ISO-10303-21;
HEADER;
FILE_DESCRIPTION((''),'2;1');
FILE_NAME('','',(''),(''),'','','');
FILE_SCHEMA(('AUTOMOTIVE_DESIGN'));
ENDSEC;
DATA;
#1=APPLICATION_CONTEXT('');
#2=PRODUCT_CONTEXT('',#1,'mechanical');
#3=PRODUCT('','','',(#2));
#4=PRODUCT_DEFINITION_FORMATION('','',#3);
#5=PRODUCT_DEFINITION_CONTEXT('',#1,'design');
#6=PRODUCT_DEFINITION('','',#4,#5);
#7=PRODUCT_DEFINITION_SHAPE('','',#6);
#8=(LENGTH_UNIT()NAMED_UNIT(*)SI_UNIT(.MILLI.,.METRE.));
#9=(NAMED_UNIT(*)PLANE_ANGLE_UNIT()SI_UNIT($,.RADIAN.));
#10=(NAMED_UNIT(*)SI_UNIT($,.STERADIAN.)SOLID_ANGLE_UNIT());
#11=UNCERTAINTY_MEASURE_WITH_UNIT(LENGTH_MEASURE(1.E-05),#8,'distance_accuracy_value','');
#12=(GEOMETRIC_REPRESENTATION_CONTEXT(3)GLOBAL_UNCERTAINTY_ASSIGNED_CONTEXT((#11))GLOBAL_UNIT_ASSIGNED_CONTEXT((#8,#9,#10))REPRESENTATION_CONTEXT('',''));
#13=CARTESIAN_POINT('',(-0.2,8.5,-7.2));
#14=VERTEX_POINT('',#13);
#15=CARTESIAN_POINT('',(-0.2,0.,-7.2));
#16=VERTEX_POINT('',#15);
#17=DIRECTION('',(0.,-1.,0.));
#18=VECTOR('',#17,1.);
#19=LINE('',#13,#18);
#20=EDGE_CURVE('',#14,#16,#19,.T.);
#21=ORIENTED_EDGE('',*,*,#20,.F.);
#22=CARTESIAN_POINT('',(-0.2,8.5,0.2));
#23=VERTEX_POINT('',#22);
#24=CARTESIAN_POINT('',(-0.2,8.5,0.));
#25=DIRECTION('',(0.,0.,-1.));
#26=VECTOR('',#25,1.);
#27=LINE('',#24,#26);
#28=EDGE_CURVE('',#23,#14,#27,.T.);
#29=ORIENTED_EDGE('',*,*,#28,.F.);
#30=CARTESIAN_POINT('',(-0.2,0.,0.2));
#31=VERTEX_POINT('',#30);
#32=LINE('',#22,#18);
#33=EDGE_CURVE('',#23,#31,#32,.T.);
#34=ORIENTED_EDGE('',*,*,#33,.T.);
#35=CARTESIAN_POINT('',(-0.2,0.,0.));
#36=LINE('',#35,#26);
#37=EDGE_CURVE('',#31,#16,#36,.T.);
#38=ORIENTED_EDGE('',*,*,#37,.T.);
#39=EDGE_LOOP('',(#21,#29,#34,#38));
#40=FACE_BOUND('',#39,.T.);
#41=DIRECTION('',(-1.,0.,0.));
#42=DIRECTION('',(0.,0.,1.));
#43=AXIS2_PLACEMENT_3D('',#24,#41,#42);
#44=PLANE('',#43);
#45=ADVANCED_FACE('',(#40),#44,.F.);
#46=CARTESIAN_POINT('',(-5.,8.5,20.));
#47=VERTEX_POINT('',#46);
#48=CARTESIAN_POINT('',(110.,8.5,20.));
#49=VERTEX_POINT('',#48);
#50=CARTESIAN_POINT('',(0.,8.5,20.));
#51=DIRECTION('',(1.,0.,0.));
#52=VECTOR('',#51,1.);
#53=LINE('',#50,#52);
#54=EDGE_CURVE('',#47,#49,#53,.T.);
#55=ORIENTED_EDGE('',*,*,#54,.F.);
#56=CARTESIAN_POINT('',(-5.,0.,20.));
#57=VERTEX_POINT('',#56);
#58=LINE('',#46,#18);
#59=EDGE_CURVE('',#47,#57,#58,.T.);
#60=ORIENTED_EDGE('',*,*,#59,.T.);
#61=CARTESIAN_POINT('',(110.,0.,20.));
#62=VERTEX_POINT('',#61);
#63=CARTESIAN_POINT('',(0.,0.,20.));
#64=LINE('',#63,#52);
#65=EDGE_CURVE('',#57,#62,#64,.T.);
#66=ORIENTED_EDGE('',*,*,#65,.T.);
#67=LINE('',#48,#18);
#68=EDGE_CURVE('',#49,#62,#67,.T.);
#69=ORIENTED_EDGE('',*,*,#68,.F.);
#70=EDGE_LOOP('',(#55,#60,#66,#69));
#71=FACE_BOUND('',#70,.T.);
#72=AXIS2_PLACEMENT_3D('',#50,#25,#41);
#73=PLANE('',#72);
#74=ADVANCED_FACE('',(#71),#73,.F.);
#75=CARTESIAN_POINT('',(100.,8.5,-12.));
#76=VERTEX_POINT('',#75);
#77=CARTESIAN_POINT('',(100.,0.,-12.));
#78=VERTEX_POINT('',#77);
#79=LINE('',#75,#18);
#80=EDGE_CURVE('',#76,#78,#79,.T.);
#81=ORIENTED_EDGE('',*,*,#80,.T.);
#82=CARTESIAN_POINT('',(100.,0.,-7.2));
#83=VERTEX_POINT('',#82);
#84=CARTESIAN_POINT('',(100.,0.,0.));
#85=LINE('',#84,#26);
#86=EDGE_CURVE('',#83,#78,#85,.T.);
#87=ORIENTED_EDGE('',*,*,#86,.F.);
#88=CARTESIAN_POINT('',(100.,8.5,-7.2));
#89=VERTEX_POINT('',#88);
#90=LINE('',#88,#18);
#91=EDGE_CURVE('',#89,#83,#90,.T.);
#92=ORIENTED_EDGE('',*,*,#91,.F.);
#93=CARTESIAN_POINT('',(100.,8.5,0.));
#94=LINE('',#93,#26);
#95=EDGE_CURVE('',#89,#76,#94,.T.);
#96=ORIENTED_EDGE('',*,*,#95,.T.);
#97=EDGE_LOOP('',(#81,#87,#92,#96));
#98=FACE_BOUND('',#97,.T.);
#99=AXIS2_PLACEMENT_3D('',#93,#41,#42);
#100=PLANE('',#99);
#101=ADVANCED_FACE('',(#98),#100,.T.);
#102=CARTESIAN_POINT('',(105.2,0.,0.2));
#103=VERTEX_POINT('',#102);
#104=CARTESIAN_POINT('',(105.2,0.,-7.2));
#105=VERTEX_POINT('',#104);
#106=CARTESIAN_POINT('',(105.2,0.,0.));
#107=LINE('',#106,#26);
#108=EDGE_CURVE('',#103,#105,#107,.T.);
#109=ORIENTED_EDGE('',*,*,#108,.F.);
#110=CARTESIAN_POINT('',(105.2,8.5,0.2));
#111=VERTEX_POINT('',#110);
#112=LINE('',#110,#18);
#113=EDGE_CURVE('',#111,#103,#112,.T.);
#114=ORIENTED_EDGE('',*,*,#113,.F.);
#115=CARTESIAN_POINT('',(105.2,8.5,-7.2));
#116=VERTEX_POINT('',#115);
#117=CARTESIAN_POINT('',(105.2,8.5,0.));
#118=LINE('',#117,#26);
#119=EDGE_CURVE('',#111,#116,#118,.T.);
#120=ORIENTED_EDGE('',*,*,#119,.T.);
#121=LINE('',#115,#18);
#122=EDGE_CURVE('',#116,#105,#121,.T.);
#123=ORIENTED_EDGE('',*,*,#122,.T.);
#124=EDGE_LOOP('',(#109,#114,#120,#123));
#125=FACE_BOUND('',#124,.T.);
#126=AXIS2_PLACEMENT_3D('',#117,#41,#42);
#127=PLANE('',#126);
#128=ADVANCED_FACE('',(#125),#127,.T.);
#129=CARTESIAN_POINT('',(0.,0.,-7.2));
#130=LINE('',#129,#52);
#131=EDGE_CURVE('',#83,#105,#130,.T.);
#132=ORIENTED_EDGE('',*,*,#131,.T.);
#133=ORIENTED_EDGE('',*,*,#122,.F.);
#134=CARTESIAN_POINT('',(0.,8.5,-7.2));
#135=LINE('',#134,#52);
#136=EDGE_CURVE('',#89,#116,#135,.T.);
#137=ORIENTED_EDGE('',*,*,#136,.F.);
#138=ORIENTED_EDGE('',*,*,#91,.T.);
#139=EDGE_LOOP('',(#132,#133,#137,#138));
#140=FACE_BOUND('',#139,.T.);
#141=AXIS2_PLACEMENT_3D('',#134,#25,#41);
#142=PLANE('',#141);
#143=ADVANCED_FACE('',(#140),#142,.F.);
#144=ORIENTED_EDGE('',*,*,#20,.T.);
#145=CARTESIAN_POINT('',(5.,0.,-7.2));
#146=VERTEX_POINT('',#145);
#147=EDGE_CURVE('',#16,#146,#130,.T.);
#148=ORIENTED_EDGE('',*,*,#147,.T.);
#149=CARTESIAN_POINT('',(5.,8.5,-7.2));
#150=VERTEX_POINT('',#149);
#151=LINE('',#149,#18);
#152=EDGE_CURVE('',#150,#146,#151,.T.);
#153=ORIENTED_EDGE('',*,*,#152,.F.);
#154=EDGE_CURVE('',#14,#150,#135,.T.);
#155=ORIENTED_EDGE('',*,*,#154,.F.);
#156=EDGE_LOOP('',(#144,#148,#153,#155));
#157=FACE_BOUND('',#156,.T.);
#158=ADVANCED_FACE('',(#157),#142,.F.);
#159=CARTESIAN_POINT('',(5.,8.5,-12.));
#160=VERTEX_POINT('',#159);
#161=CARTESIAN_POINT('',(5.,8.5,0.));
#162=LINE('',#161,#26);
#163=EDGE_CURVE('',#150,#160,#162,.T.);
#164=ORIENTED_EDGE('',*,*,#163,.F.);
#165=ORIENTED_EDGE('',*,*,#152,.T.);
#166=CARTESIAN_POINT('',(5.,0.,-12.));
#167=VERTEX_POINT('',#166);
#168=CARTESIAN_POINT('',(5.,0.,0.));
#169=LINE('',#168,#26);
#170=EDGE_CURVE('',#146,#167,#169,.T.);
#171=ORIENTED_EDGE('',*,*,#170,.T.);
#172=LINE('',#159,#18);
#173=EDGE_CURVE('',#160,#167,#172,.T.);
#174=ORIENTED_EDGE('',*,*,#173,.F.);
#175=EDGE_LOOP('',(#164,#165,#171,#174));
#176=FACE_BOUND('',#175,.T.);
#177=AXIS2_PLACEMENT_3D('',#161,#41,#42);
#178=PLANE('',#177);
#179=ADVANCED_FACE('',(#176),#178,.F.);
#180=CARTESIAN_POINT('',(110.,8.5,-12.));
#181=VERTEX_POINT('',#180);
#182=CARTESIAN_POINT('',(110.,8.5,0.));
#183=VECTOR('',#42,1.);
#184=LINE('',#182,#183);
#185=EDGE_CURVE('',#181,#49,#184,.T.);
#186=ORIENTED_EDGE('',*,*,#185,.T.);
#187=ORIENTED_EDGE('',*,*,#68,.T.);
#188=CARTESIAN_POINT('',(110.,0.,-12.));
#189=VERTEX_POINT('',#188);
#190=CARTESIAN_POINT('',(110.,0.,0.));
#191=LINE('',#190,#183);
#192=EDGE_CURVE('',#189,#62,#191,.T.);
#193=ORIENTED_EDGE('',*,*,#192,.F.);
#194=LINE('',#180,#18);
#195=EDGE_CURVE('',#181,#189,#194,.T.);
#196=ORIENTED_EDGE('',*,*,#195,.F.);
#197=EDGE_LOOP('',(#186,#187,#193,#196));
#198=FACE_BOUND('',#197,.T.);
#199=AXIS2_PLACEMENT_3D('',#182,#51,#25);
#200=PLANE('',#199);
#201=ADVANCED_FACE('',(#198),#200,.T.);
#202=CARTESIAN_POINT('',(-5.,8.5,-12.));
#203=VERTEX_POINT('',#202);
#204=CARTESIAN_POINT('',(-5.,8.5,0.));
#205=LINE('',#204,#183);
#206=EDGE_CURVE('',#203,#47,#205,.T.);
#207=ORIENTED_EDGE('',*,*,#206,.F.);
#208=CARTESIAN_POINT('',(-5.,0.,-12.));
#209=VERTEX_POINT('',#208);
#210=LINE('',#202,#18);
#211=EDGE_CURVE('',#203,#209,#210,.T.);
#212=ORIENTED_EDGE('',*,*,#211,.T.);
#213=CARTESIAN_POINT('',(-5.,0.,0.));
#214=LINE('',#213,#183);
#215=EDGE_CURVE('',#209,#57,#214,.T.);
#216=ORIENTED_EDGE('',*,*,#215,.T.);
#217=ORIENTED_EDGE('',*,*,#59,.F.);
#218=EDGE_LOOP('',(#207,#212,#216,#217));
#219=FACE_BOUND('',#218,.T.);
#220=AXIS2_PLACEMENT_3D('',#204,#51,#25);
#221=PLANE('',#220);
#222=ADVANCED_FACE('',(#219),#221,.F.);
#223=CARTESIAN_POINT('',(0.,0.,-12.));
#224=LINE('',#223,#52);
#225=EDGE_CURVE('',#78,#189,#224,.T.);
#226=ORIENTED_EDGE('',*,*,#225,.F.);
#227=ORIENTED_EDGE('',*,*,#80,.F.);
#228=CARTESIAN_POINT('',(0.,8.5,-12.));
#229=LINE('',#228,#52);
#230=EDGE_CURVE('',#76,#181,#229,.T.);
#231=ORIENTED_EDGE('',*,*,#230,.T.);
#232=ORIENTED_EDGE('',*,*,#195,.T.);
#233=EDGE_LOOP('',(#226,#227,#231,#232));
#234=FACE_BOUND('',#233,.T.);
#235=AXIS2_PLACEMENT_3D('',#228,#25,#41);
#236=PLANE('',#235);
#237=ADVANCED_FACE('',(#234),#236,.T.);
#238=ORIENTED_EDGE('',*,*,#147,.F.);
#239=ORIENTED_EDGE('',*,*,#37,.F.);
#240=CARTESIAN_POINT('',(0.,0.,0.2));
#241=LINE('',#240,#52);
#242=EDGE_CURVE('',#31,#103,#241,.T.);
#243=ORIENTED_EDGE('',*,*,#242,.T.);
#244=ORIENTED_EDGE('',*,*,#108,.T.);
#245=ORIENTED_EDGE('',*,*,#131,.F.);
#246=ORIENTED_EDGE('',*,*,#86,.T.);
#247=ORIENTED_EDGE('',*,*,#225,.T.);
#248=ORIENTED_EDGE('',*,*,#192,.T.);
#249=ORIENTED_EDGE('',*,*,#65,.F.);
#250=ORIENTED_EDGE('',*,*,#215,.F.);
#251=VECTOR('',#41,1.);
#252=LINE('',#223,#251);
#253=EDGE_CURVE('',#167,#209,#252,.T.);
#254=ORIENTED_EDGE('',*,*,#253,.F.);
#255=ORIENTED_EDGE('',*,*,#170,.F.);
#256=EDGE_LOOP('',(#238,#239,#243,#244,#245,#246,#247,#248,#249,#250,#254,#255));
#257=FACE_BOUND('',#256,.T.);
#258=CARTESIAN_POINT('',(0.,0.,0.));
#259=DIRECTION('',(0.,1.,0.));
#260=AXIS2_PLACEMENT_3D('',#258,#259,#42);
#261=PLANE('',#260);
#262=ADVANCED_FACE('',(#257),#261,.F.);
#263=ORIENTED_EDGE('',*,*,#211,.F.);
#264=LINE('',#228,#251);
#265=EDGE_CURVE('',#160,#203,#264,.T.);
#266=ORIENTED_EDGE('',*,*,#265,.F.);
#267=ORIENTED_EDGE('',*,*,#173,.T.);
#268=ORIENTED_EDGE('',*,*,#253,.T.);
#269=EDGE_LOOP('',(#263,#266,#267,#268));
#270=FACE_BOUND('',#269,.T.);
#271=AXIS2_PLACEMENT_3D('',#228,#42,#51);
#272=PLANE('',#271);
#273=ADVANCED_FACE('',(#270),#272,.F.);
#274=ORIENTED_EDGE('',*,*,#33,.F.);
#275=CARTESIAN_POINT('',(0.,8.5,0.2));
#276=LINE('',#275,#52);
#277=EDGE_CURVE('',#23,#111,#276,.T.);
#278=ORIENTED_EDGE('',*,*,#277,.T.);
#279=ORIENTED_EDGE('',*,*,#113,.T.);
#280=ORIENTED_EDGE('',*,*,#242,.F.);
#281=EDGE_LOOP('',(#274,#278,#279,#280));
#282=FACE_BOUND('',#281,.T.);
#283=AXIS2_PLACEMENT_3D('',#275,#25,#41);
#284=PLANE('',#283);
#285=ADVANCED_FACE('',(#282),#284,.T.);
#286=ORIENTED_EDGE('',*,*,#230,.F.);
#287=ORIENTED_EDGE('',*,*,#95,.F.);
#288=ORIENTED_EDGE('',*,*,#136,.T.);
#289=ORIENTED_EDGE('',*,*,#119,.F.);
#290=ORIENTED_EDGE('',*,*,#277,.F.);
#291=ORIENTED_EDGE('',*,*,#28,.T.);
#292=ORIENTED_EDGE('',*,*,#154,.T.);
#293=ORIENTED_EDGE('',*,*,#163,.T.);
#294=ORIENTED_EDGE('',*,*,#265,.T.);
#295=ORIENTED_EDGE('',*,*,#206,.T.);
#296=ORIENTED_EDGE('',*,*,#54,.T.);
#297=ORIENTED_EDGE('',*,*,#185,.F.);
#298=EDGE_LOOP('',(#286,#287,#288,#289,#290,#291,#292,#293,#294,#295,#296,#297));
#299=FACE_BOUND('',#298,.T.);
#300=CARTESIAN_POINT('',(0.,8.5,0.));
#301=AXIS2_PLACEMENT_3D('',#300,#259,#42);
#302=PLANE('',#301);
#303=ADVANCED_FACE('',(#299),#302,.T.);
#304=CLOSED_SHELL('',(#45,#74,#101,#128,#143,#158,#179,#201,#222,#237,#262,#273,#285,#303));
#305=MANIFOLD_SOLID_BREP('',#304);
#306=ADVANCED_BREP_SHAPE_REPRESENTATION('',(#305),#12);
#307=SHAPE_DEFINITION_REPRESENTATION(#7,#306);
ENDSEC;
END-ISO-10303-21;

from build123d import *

# Parameters (mm, degrees)
BOSS_EXTRUDE1_DEPTH = 8.5


with BuildPart() as part:
    # Sketch1 → Boss-Extrude1 (new body)
    with BuildSketch(Plane(origin=(0, 0, 0), x_dir=(1, 0, 0), z_dir=(0, 1, 0))):
        Polygon((-0.2, 7.2), (5, 7.2), (5, 12), (-5, 12), (-5, -20), (52.5, -20), (52.5, -0.2), (-0.2, -0.2), align=None)
        Polygon((100, 12), (100, 7.2), (105.2, 7.2), (105.2, -0.2), (52.5, -0.2), (52.5, -20), (110, -20), (110, 12), align=None)
    extrude(amount=BOSS_EXTRUDE1_DEPTH)


solid = part.part
